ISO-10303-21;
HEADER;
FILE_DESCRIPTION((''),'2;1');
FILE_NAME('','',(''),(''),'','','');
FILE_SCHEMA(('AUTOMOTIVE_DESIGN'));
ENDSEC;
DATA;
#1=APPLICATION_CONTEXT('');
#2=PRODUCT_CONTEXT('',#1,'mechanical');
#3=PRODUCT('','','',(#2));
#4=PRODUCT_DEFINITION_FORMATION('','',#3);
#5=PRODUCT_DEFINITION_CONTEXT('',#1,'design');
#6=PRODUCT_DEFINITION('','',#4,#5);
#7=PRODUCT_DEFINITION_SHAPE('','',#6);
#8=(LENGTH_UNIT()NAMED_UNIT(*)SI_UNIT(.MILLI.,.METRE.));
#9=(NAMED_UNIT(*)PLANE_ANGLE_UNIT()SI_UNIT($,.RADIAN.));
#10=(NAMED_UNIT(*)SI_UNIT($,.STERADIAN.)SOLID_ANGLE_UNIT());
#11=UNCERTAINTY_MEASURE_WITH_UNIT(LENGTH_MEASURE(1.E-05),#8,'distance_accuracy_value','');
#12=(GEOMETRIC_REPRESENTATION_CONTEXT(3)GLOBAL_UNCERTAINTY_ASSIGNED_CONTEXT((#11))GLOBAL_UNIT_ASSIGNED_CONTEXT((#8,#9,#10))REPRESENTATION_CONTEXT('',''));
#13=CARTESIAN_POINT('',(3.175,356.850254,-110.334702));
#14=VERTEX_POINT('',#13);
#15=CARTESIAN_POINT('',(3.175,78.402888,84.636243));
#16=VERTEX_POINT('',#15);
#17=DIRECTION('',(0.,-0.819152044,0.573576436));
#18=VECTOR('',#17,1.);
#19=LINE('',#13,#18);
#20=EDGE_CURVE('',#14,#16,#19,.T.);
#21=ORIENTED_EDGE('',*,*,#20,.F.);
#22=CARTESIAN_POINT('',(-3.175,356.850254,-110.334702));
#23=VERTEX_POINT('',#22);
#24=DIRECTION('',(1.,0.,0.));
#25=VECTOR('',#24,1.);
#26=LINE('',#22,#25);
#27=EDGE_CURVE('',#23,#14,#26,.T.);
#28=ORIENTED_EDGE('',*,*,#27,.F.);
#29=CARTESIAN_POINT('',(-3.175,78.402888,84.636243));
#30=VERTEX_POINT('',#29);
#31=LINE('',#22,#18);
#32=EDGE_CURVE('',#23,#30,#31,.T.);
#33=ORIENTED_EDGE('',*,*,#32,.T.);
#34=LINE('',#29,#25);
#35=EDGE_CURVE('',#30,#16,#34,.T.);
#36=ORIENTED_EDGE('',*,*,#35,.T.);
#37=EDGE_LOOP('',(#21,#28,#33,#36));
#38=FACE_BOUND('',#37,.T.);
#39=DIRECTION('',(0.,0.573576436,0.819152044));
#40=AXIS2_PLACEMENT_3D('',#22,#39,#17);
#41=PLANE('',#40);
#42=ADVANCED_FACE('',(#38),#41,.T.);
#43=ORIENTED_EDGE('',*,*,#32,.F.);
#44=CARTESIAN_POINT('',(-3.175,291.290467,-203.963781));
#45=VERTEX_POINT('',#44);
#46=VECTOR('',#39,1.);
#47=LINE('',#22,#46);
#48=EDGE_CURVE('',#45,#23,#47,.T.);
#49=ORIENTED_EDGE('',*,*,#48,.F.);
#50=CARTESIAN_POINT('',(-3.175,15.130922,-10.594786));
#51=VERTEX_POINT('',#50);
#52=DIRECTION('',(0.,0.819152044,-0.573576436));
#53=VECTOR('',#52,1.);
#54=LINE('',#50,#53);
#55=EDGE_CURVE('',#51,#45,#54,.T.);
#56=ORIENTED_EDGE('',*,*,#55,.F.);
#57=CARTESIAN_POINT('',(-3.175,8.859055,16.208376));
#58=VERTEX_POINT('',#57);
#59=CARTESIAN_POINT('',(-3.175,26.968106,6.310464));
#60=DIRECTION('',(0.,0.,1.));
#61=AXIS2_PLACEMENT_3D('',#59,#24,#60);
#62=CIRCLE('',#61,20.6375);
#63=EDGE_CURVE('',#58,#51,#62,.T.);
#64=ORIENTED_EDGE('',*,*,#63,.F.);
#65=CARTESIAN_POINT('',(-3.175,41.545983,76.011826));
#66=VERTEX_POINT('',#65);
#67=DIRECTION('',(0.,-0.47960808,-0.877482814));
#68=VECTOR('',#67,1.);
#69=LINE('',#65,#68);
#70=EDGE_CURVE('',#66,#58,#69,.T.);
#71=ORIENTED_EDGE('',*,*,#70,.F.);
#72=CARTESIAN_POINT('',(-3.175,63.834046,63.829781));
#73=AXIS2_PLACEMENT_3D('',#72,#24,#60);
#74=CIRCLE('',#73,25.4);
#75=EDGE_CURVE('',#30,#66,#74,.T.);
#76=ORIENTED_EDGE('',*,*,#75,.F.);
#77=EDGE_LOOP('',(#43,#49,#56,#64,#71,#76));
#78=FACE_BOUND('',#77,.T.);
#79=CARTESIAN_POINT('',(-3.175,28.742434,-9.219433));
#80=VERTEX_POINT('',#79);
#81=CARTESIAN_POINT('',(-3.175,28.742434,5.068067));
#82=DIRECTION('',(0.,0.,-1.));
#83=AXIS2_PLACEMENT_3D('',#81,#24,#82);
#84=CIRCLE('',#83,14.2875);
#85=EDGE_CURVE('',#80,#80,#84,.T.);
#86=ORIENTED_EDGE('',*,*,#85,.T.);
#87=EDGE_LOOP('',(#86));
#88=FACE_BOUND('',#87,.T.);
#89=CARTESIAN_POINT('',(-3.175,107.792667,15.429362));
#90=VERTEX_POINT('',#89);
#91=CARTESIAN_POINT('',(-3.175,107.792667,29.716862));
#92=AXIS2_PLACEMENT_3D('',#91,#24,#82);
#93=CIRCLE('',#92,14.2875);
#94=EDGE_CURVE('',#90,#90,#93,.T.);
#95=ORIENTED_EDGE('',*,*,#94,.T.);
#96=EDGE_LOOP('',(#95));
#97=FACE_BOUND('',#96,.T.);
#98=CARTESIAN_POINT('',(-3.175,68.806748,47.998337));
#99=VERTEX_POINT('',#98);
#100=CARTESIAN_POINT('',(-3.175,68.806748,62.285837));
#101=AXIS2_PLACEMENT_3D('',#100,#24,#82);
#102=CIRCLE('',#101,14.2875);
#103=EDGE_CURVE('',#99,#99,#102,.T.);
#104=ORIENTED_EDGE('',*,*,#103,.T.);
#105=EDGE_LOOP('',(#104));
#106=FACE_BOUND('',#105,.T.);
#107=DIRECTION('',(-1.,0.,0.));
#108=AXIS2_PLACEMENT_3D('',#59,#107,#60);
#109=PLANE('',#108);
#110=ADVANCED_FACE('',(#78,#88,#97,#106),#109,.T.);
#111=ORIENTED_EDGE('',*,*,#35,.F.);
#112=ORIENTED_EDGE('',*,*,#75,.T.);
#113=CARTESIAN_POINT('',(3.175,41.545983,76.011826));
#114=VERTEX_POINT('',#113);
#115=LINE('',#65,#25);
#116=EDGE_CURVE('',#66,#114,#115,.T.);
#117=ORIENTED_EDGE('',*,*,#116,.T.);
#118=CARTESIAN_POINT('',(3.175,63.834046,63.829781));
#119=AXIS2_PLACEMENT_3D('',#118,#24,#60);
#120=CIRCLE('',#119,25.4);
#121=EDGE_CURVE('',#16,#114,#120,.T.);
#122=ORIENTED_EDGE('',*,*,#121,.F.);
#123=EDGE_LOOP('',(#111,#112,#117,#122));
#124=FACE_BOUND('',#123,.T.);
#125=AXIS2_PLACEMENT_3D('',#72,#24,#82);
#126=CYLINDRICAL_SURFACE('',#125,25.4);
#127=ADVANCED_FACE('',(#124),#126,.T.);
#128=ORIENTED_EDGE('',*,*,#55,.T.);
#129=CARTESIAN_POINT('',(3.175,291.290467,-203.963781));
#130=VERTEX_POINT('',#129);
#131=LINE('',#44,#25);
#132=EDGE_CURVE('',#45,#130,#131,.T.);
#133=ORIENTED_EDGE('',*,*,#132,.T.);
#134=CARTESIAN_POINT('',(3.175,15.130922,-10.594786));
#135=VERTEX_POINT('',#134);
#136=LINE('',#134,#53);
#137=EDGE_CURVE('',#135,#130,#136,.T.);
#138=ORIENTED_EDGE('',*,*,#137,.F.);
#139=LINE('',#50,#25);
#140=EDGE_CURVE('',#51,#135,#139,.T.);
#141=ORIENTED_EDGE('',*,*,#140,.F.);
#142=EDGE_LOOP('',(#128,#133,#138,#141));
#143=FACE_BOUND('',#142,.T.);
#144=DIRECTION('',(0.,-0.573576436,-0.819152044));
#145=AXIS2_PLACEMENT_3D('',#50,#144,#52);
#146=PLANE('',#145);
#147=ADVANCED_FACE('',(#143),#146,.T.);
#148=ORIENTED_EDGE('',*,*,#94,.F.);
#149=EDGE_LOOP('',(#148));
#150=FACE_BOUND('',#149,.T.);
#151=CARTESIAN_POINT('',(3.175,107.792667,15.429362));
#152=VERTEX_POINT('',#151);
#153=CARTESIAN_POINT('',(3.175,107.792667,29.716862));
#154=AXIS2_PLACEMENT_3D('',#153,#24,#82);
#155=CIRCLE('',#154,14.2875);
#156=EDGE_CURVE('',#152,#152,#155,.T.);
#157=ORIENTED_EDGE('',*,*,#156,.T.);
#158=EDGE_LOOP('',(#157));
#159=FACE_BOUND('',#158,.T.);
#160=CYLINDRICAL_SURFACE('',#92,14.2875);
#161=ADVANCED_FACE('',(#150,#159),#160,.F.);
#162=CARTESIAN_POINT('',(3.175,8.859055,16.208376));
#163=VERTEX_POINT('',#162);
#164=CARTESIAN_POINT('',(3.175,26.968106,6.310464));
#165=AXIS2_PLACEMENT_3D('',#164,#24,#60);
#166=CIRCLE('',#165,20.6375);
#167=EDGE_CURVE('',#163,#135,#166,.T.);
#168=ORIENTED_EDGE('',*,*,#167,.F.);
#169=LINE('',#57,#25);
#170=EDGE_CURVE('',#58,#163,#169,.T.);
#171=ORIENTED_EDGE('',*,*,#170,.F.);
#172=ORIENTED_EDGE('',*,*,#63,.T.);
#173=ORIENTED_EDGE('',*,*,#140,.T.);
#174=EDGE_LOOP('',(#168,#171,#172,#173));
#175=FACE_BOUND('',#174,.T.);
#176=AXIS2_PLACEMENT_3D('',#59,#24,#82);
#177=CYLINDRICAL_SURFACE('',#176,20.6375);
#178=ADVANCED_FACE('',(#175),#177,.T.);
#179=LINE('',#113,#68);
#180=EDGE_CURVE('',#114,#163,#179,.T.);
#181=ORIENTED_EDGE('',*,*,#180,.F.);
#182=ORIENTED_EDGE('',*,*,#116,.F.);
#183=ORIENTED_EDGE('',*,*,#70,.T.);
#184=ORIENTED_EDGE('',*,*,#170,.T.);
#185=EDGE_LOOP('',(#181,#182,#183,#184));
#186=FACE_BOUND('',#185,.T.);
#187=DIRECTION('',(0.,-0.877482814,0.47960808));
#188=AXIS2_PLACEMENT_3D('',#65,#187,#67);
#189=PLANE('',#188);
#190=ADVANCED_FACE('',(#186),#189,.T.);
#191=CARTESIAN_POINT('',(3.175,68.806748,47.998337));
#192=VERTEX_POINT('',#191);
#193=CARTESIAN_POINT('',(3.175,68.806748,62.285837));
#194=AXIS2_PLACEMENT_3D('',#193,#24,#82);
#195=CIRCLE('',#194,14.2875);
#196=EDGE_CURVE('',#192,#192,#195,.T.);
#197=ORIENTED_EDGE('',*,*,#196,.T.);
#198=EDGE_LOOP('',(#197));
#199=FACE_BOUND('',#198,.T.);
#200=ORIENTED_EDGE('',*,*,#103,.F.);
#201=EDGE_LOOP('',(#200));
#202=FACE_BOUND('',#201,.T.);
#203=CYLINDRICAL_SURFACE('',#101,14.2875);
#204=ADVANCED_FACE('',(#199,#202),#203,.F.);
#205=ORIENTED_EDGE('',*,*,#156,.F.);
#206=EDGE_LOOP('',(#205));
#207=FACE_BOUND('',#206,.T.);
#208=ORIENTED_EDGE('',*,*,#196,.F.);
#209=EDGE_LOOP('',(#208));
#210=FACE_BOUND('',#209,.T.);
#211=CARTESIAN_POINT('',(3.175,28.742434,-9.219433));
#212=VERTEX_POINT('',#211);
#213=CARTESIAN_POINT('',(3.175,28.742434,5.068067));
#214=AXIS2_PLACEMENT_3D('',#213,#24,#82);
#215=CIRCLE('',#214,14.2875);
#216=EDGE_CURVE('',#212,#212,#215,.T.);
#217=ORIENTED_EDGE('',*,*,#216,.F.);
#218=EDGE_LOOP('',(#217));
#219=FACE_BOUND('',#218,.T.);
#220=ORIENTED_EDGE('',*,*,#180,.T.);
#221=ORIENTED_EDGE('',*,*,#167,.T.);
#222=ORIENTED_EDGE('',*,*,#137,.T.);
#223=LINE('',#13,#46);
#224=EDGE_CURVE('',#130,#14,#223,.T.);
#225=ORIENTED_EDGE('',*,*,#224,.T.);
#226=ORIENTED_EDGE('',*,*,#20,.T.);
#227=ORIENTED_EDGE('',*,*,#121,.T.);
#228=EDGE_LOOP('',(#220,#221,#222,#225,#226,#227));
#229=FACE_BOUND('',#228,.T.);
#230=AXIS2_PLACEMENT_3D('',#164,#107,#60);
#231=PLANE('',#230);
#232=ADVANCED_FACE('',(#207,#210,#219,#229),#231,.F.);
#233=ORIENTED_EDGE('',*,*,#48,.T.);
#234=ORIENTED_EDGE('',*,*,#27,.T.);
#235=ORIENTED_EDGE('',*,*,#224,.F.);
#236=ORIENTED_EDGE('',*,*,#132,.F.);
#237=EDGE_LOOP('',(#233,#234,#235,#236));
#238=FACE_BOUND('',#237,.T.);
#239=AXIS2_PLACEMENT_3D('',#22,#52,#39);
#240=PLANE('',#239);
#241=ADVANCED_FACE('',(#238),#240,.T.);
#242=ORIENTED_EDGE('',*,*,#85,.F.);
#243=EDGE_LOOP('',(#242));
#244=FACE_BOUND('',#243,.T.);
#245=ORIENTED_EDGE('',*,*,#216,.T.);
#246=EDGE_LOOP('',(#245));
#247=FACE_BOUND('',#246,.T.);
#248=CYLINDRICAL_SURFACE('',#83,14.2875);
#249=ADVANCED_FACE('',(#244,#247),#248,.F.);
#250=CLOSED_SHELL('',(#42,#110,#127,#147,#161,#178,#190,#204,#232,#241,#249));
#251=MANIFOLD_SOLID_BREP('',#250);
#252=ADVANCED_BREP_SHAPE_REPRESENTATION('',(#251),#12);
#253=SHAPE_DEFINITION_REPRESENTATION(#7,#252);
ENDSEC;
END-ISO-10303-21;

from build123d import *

# Parameters (mm, degrees)
BOSS_EXTRUDE2_DEPTH      = 3.175
BOSS_EXTRUDE2_DEPTH_BACK = 3.175
SKETCH1_R                = 14.2875


with BuildPart() as part:
    # Sketch1 → Boss-Extrude2 (new, two sides: drawn at the far end of the back side and taken through both)
    with BuildSketch(Plane(origin=(0, 0, 0), x_dir=(0, 0, -1), z_dir=(1, 0, 0)).offset(-BOSS_EXTRUDE2_DEPTH_BACK)):
        with BuildLine():
            Line((10.594785966, 15.13092246), (203.963780766, 291.290466949))
            Line((203.963780766, 291.290466949), (110.334702104, 356.850253624))
            Line((110.334702104, 356.850253624), (-84.6362425, 78.402887714))
            ThreePointArc((-84.6362425, 78.402887714), (-88.561708566, 58.046841565), (-76.011825816, 41.54598275))
            Line((-76.011825816, 41.54598275), (-16.208376106, 8.859054586))
            ThreePointArc((-16.208376106, 8.859054586), (-1.608360556, 6.873414672), (10.594785966, 15.13092246))
        make_face()
        with Locations((-62.285836902, 68.806748098)):
            Circle(SKETCH1_R, mode=Mode.SUBTRACT)
        with Locations((-5.068066609, 28.742434019)):
            Circle(SKETCH1_R, mode=Mode.SUBTRACT)
        with Locations((-29.716861807, 107.792666854)):
            Circle(SKETCH1_R, mode=Mode.SUBTRACT)
    extrude(amount=BOSS_EXTRUDE2_DEPTH + BOSS_EXTRUDE2_DEPTH_BACK)


solid = part.part
